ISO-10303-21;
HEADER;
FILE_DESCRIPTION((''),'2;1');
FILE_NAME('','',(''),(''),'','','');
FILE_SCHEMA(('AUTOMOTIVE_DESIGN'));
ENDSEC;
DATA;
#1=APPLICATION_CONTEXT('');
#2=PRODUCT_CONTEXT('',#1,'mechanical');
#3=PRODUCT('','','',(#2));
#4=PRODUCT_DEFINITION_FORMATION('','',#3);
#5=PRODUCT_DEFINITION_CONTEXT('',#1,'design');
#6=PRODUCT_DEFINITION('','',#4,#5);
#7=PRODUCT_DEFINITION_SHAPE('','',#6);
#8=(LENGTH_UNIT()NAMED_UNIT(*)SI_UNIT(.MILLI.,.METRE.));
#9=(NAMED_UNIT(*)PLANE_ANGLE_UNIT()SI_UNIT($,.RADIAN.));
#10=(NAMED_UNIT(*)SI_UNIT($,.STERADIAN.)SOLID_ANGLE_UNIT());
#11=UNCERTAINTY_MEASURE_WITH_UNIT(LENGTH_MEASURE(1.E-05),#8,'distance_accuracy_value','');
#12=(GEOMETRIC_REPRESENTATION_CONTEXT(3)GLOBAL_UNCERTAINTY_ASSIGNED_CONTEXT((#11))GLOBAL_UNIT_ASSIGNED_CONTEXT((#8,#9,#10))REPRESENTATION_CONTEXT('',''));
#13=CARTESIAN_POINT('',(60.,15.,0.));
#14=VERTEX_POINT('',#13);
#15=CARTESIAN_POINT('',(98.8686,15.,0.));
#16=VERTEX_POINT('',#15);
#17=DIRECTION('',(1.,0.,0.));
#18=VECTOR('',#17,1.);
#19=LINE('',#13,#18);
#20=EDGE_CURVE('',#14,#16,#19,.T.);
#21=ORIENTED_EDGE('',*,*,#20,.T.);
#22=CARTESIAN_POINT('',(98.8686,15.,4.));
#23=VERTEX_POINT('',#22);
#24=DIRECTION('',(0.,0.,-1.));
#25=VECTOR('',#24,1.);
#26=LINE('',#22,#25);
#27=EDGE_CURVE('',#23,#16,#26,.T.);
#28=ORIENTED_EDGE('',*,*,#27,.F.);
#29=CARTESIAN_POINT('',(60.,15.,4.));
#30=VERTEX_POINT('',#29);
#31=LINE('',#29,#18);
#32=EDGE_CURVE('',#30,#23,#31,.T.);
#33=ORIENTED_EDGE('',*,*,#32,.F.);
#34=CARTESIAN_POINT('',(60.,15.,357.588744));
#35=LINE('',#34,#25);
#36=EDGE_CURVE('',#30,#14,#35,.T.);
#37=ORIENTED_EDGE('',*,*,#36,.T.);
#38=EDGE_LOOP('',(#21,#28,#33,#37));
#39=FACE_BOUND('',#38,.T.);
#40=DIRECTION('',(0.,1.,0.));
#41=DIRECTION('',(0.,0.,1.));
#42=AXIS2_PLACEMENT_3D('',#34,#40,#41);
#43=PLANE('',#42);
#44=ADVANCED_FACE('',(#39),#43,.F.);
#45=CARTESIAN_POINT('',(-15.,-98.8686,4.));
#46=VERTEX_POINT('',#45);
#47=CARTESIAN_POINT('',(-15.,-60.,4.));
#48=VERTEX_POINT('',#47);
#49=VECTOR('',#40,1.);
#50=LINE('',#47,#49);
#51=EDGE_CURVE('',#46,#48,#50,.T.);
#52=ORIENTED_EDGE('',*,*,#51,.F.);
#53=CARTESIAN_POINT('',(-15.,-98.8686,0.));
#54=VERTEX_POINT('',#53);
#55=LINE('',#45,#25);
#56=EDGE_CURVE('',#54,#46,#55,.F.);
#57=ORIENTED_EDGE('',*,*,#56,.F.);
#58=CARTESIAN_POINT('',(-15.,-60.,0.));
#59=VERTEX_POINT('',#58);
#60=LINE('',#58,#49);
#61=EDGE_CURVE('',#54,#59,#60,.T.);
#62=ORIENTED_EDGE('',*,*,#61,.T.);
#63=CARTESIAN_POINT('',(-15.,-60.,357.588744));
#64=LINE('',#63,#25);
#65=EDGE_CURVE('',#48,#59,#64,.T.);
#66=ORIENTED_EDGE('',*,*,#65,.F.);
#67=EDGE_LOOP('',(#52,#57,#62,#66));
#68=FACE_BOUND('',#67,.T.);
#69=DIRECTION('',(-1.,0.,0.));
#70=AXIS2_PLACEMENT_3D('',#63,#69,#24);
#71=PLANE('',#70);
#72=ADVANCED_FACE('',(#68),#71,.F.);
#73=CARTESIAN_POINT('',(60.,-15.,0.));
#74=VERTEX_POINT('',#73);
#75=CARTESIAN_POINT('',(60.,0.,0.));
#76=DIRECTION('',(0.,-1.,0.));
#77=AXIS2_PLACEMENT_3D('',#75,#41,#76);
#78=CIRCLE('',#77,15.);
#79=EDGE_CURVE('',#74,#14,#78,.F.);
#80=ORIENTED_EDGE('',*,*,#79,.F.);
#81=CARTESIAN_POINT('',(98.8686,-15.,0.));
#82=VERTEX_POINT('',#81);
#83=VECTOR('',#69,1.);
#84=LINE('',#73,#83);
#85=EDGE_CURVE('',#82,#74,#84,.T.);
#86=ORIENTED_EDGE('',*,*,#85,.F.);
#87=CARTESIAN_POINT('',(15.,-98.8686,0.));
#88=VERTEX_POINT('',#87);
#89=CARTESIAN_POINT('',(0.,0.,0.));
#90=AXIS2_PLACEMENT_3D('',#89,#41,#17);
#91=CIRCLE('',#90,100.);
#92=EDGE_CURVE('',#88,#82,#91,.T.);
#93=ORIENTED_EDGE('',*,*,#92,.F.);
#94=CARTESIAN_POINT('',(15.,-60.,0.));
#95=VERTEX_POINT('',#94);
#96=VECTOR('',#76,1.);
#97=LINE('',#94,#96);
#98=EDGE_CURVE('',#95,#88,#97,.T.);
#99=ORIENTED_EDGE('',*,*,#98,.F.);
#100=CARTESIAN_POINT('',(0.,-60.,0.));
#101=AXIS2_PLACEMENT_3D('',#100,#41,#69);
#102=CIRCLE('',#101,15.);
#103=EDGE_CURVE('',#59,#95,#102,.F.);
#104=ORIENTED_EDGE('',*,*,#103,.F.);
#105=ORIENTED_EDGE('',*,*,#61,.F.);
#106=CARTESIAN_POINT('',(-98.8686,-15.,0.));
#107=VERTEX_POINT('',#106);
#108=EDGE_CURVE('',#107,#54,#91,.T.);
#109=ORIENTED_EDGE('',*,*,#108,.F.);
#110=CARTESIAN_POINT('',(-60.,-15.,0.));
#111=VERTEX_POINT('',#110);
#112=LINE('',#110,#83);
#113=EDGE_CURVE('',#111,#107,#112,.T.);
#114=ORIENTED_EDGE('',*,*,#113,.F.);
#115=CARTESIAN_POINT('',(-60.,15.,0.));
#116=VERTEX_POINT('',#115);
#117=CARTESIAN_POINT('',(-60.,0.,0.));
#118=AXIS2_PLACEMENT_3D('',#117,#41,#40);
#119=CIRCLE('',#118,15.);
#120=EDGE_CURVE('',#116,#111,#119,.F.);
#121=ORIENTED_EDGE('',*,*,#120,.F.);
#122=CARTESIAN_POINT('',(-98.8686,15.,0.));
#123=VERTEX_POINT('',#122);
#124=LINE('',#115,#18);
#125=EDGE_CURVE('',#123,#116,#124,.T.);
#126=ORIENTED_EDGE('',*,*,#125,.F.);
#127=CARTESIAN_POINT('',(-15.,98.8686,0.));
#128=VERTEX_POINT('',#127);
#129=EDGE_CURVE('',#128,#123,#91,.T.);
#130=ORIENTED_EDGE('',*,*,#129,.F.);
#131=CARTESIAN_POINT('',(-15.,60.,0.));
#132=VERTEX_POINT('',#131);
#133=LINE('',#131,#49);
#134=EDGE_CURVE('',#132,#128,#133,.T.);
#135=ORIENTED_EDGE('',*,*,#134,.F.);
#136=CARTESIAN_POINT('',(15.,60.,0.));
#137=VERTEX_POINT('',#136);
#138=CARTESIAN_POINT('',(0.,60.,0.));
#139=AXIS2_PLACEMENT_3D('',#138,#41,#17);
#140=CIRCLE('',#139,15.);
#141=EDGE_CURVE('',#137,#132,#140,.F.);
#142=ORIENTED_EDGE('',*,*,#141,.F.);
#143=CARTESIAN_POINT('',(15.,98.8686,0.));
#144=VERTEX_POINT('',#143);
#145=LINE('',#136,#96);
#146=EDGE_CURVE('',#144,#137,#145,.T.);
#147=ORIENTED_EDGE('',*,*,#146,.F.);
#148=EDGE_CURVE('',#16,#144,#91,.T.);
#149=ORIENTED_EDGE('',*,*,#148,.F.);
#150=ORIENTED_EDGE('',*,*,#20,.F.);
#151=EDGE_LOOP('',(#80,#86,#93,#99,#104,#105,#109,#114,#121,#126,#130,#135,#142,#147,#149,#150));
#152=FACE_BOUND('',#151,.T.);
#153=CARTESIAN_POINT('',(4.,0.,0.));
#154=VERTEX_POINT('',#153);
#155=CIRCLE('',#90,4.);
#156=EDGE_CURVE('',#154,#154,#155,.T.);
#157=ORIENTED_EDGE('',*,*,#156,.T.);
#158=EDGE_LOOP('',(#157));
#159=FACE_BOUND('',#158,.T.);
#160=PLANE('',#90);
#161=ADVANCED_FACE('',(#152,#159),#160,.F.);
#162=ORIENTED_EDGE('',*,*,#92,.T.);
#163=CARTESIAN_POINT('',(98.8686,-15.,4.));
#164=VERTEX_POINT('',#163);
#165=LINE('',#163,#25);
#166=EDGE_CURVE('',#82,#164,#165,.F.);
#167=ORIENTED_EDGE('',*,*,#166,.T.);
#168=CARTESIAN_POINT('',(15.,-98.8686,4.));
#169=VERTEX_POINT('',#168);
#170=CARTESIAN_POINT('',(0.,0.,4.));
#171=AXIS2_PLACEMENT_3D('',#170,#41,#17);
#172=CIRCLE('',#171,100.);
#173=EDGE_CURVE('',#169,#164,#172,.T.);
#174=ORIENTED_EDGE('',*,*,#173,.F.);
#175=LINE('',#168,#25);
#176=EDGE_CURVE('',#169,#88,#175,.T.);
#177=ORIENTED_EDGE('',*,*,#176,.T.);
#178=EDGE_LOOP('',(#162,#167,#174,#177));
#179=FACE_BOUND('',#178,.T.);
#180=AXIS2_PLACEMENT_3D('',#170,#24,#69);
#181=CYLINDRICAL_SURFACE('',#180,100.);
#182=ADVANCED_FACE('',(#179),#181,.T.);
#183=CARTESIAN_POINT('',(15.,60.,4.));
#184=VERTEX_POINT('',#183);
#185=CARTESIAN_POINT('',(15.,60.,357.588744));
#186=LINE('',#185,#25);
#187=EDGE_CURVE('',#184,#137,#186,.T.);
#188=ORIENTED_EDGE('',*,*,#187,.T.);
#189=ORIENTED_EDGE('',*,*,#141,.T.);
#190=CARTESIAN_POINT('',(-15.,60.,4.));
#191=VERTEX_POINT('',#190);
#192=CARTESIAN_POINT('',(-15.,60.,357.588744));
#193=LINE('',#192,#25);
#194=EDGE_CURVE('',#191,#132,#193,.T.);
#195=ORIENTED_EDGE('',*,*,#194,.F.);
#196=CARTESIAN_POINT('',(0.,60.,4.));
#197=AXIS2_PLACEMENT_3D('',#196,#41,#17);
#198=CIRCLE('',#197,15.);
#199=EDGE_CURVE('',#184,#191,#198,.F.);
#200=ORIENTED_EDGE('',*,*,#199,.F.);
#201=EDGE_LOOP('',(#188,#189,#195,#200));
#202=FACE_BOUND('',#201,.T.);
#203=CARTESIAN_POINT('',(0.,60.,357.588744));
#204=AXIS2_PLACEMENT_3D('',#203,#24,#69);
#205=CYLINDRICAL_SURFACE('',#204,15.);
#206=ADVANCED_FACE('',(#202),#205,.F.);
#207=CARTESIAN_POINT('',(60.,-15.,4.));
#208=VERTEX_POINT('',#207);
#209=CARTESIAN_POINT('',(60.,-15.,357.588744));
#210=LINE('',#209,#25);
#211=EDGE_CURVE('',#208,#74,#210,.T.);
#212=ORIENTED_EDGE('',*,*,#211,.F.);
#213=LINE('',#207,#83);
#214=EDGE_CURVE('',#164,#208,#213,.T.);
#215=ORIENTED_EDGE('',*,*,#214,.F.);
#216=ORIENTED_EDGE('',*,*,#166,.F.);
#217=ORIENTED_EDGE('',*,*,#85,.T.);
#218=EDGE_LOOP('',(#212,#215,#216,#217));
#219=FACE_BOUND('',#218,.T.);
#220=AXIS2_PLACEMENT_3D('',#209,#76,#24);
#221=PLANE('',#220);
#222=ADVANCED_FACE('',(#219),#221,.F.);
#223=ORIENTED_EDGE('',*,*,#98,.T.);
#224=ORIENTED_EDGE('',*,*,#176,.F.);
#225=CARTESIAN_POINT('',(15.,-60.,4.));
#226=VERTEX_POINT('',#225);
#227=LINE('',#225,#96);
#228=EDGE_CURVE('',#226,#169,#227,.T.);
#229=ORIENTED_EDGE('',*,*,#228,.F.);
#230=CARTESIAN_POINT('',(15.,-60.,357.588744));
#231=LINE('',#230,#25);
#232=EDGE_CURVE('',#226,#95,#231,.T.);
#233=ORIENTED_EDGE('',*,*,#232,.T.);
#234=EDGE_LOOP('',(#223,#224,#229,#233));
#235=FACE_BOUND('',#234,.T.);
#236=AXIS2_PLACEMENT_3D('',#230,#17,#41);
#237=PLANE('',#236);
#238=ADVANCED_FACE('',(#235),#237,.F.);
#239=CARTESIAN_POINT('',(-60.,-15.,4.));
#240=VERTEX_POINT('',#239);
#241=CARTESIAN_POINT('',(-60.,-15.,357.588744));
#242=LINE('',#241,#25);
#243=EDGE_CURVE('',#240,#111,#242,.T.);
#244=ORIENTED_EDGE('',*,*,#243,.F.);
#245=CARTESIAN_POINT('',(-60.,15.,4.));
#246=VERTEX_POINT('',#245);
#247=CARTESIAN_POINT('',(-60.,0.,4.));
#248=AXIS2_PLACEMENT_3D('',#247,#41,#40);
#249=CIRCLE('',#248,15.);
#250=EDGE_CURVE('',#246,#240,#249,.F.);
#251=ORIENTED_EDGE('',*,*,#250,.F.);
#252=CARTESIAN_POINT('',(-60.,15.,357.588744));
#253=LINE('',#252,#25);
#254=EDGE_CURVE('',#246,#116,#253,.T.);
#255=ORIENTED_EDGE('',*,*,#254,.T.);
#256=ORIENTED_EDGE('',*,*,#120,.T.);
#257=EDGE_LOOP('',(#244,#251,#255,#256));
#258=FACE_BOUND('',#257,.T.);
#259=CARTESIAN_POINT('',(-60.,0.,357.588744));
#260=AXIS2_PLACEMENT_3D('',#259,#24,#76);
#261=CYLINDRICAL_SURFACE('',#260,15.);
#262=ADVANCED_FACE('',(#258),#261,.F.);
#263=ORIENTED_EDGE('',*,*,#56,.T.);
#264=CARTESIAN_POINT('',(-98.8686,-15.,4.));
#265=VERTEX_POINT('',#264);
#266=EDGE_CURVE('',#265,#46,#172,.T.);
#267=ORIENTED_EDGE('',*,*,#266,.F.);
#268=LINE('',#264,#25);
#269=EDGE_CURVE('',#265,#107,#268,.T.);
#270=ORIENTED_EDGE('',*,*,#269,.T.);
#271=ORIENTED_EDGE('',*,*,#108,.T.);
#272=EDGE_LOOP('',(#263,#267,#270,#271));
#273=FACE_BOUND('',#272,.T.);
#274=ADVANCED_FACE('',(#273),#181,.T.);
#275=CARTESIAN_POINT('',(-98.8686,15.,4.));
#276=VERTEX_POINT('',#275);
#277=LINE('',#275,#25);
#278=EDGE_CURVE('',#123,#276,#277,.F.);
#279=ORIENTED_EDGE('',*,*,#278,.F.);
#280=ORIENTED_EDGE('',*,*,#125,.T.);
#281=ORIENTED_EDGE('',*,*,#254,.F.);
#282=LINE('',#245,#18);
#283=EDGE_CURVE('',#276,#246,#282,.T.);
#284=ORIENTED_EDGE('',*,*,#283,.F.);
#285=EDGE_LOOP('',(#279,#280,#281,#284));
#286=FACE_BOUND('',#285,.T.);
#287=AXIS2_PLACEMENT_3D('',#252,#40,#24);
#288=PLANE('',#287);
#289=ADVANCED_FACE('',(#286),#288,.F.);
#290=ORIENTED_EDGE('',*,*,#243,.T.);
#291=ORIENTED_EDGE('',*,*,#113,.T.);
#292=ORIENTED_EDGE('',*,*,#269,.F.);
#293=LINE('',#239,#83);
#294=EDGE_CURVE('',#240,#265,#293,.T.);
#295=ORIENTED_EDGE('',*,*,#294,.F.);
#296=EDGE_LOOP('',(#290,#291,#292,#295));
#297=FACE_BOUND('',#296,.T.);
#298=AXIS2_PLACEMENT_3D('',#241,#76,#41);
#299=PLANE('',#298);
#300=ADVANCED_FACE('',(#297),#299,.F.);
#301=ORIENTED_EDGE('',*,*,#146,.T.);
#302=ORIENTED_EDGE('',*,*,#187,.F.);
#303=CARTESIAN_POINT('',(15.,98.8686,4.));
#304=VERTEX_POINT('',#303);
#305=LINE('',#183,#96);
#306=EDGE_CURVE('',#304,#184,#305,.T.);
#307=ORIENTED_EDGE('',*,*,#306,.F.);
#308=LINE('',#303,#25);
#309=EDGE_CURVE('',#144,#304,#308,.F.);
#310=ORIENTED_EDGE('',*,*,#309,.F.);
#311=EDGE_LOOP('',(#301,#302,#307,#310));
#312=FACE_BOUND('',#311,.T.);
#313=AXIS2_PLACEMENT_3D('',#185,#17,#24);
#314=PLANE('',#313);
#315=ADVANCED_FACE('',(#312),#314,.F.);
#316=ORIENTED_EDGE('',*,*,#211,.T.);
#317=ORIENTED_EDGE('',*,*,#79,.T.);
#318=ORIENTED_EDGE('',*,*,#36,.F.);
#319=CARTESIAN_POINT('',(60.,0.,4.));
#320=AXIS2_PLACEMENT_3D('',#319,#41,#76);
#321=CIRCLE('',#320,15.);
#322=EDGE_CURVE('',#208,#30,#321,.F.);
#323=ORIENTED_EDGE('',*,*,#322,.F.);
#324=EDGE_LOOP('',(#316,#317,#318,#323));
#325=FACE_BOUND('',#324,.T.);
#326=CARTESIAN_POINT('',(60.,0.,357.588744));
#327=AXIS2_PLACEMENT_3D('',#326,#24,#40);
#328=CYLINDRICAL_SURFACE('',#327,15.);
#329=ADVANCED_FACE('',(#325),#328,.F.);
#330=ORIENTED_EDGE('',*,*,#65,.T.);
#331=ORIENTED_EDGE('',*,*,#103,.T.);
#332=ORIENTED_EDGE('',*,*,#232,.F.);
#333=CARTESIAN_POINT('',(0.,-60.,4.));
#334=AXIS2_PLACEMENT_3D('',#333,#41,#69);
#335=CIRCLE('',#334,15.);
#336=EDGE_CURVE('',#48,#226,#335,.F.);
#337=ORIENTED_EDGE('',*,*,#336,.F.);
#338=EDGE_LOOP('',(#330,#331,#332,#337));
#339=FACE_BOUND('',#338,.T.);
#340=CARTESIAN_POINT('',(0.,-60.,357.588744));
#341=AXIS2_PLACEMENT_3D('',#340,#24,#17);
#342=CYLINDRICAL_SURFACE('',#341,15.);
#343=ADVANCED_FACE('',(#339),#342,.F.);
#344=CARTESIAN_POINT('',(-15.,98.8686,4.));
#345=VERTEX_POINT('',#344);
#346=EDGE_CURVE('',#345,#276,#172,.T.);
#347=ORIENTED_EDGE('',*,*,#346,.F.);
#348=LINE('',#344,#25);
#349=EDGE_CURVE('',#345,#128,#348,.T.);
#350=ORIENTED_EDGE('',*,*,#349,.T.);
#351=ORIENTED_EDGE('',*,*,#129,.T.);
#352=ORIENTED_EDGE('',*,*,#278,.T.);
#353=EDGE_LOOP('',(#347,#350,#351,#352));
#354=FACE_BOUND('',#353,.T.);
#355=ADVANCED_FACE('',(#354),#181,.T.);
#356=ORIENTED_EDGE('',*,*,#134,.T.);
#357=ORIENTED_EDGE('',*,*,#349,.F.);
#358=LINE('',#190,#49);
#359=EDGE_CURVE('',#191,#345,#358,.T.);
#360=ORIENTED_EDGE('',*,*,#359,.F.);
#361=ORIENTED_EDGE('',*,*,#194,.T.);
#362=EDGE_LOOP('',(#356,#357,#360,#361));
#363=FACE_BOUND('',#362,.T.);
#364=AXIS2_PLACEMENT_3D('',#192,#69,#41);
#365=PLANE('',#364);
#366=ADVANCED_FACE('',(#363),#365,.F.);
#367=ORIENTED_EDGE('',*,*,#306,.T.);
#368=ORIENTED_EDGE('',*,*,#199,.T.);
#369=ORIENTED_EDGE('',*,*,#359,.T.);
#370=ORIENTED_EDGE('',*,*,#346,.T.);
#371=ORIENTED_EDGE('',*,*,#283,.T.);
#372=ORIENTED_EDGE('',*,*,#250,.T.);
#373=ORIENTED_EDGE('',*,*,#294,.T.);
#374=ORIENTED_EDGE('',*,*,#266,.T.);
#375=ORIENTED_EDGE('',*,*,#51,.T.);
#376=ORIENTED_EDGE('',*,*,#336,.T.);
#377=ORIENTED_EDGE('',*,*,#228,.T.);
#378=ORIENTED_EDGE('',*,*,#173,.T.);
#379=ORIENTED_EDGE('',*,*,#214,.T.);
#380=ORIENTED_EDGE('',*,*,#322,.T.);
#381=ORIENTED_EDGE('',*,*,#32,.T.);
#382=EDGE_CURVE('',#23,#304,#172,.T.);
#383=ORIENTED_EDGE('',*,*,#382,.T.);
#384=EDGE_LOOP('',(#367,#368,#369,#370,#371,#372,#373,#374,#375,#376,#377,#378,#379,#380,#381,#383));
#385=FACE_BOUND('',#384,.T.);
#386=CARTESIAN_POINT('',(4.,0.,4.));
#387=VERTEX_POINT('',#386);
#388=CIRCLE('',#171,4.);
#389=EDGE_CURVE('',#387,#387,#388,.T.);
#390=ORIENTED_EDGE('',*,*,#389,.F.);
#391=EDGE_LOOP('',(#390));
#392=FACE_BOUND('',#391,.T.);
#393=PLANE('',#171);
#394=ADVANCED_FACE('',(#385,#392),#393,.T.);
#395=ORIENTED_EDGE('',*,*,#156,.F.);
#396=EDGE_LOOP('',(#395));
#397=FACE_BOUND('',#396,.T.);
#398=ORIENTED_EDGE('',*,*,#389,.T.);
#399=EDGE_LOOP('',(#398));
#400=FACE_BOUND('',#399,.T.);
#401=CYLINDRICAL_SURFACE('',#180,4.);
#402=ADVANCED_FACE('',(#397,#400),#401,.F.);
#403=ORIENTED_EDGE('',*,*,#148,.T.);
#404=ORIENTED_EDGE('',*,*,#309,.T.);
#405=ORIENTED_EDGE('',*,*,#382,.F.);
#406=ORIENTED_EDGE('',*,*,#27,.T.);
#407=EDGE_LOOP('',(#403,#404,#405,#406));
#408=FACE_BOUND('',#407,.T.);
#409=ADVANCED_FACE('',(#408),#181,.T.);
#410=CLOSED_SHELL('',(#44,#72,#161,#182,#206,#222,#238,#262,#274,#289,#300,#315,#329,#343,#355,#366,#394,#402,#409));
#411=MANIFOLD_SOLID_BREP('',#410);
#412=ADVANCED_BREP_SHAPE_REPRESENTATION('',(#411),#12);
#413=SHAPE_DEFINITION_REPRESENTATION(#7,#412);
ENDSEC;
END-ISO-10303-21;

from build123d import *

# Parameters (mm, degrees)
SKETCH1_R           = 100
SKETCH1_R_2         = 4
BOSS_EXTRUDE1_DEPTH = 4
CUT_EXTRUDE2_START  = -4
CUT_EXTRUDE2_DEPTH  = 5
CIRPATTERN14_COUNT  = 4


with BuildPart() as part:
    # Sketch1 → Boss-Extrude1 (new body)
    with BuildSketch(Plane.XY):
        Circle(SKETCH1_R)
        Circle(SKETCH1_R_2, mode=Mode.SUBTRACT)
    extrude(amount=BOSS_EXTRUDE1_DEPTH)

    # Sketch2 → Cut-Extrude2 (cut)
    with BuildSketch(Plane.XY.offset(4).offset(CUT_EXTRUDE2_START)):
        with BuildLine():
            Line((-15, 682.376448842), (-15, 134.079674161))
            Line((-15, 134.079674161), (-15, 60))
            ThreePointArc((-15, 60), (0, 45), (15, 60))
            Line((15, 60), (15, 143.343079639))
            Line((15, 143.343079639), (15, 691.63985432))
            Line((15, 691.63985432), (-308.533757453, 1739.42004133))
            Line((-308.533757453, 1739.42004133), (-338.533757453, 1730.156635852))
            Line((-338.533757453, 1730.156635852), (-15, 682.376448842))
        make_face()
    cut_extrude2 = extrude(amount=CUT_EXTRUDE2_DEPTH, mode=Mode.SUBTRACT)

    # CirPattern14: Cut-Extrude2 ×4 about axis
    cirpattern14_axis = Axis((0, 0, 0), (0, 0, 1))
    for i in range(1, CIRPATTERN14_COUNT):
        add(cut_extrude2.rotate(cirpattern14_axis, i * 360 / CIRPATTERN14_COUNT), mode=Mode.SUBTRACT)


solid = part.part
